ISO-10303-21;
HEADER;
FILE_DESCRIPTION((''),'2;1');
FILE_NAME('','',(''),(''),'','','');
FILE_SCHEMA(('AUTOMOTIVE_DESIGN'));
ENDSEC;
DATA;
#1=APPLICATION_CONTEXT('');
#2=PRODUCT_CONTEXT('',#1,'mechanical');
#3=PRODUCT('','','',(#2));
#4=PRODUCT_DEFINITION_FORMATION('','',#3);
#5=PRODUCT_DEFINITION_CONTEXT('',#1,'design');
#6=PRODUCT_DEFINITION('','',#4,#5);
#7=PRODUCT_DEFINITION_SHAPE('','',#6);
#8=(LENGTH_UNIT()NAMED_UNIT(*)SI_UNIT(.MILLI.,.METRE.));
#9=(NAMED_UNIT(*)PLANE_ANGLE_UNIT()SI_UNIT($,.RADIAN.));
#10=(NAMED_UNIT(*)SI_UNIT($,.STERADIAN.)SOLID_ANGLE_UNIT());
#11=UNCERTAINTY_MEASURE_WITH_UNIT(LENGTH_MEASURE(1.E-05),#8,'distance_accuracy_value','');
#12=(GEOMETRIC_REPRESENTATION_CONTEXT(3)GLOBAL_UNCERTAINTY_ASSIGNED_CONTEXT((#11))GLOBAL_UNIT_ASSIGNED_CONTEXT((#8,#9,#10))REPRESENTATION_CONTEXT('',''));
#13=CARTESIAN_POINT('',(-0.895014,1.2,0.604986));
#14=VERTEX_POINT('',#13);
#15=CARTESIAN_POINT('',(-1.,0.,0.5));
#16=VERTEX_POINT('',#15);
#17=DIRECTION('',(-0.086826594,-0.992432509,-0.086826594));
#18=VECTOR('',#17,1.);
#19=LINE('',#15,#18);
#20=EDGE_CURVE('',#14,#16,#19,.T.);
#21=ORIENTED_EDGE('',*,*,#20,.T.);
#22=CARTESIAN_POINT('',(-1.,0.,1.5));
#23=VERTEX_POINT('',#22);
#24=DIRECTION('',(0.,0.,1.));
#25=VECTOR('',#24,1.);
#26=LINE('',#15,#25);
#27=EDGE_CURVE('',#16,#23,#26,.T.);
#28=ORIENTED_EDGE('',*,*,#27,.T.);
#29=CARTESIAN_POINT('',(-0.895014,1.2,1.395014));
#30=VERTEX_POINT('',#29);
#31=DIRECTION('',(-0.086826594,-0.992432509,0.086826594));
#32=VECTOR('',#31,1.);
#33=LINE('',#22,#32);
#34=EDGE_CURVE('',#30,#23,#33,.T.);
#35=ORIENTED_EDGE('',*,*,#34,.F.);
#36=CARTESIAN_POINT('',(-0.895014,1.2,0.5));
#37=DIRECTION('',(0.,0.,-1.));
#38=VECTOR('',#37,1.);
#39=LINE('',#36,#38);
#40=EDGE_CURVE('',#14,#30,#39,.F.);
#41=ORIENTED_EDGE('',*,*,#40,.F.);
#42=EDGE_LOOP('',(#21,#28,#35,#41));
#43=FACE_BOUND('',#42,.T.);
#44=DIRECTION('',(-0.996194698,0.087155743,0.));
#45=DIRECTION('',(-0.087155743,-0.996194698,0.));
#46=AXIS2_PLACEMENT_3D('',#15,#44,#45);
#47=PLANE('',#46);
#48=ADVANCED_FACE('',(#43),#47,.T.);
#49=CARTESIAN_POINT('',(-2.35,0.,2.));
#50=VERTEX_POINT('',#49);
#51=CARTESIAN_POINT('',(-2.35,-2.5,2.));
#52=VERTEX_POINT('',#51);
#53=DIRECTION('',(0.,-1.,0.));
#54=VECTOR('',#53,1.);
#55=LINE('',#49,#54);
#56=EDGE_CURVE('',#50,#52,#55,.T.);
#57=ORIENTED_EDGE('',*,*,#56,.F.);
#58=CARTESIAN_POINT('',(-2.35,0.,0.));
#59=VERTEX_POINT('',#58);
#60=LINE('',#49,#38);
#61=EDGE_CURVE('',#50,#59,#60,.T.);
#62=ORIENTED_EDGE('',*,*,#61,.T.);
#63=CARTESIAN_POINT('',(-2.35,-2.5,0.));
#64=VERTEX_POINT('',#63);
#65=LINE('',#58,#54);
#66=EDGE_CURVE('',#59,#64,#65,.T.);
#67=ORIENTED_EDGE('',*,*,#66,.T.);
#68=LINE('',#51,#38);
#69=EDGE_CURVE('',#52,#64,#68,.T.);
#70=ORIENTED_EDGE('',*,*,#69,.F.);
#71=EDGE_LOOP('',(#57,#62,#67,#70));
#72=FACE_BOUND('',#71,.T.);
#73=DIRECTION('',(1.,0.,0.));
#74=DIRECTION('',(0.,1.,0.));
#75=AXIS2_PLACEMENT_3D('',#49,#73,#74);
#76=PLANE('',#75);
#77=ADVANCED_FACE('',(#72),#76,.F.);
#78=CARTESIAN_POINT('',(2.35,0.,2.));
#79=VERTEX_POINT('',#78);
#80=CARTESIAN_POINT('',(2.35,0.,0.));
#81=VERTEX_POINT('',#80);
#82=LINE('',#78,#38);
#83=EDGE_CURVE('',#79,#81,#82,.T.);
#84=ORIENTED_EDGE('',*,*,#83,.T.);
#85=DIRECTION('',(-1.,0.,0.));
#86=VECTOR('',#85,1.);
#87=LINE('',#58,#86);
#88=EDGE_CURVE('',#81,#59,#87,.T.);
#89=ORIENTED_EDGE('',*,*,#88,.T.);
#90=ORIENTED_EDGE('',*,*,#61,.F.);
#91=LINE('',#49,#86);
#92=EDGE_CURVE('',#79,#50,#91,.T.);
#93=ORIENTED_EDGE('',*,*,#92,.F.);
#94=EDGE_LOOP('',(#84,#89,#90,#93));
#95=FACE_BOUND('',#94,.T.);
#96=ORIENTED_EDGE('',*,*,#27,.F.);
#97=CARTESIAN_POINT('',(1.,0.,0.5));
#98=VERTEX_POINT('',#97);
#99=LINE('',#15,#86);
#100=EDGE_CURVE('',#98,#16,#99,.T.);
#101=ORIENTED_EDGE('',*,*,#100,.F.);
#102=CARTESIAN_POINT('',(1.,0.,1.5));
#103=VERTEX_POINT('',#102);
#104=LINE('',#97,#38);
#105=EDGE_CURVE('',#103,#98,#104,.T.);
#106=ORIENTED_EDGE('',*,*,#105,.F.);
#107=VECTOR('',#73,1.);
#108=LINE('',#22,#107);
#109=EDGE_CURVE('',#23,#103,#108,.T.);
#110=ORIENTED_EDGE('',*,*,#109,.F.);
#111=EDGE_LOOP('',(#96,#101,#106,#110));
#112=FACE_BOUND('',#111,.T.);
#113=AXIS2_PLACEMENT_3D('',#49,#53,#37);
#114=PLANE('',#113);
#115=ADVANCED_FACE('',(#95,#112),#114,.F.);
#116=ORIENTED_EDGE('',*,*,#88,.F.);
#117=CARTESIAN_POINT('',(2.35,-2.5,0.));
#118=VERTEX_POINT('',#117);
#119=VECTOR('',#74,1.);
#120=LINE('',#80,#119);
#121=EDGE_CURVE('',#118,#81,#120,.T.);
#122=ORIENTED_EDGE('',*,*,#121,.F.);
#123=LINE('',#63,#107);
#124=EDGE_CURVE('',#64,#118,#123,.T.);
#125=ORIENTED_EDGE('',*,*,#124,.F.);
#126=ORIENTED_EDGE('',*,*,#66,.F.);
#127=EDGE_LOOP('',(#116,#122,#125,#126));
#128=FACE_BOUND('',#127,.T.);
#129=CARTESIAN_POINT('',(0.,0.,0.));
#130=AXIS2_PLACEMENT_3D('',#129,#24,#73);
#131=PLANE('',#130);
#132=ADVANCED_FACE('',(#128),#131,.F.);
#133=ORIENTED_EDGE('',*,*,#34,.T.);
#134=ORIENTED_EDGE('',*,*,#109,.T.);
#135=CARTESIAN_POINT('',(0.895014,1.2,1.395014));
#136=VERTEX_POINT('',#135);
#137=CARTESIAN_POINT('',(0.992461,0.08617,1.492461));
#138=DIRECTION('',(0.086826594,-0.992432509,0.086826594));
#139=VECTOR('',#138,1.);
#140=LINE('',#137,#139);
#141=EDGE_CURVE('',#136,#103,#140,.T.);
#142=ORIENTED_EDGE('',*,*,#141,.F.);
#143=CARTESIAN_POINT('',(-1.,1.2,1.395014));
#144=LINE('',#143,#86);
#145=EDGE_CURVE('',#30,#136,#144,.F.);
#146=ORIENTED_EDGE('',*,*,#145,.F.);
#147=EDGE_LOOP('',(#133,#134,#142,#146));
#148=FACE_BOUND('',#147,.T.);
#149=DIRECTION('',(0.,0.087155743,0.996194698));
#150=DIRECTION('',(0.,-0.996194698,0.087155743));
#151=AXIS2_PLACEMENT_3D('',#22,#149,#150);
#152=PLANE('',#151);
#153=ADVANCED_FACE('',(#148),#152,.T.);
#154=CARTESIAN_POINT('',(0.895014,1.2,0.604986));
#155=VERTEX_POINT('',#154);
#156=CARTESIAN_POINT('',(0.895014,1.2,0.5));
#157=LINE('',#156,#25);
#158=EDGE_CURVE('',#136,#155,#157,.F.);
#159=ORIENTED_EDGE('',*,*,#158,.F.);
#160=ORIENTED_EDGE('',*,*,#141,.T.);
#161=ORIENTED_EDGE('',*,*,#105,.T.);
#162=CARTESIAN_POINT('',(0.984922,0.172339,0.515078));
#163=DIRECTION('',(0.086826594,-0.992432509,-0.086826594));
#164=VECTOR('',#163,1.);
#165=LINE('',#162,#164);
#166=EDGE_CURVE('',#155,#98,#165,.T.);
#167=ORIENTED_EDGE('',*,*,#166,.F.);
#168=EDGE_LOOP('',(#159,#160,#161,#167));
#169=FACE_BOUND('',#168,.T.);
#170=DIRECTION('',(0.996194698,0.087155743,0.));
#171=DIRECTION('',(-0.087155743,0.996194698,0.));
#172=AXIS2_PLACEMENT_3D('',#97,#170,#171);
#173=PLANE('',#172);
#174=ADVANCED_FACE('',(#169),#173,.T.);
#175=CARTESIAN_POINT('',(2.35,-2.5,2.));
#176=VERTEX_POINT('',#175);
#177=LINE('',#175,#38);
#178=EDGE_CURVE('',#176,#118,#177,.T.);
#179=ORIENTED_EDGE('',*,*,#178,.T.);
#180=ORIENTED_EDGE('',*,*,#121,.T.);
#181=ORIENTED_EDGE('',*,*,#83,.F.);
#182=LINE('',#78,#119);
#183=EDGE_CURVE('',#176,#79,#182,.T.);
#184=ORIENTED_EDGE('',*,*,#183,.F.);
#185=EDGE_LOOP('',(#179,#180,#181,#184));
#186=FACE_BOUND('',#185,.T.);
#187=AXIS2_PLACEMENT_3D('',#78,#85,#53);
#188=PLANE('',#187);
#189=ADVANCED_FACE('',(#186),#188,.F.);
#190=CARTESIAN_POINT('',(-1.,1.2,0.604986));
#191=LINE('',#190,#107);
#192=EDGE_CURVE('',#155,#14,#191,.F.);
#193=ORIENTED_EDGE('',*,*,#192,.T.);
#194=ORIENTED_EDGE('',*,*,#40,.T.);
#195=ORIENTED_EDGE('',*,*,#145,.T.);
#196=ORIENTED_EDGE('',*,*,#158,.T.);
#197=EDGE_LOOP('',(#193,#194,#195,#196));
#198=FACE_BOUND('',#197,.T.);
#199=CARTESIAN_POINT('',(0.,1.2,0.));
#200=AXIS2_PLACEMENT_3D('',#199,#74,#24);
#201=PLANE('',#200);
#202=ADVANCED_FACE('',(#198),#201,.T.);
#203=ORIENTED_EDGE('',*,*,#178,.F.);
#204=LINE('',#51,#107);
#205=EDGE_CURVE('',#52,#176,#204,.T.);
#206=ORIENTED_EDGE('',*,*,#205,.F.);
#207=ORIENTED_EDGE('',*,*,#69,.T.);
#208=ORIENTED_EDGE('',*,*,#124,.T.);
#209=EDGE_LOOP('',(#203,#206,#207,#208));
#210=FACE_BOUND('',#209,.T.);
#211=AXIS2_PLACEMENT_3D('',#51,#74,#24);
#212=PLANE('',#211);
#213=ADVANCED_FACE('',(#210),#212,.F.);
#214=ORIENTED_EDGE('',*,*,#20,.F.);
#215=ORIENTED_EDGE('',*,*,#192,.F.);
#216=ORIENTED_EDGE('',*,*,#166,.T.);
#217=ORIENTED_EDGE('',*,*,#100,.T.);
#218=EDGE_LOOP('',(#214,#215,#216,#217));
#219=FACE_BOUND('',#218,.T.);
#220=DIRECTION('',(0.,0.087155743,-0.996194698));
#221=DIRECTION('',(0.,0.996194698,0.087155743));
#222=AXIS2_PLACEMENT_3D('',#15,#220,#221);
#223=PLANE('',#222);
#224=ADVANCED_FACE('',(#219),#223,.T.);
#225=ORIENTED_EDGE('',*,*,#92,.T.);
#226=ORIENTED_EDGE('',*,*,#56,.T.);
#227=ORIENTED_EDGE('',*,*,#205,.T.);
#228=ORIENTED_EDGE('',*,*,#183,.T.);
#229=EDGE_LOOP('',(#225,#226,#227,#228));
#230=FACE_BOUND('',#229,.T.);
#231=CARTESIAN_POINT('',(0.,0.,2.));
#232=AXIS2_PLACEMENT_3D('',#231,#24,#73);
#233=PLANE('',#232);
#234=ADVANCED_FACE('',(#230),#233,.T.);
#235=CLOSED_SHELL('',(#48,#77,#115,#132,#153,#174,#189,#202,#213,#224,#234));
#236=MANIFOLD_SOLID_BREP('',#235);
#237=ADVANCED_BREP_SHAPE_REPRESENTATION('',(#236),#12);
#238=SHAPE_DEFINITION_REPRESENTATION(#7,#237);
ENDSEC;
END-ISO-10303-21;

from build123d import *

# Parameters (mm, degrees)
SKETCH1_W           = 4.7
SKETCH1_H           = 2.5
BOSS_EXTRUDE1_DEPTH = 2
SKETCH2_W           = 2
SKETCH2_H           = 1
BOSS_EXTRUDE2_DEPTH = 1.2
BOSS_EXTRUDE2_TAPER = 5


with BuildPart() as part:
    # Sketch1 → Boss-Extrude1 (new body)
    with BuildSketch(Plane.XY):
        with Locations((0, -1.25)):
            Rectangle(SKETCH1_W, SKETCH1_H)
    extrude(amount=BOSS_EXTRUDE1_DEPTH)

    # Sketch2 → Boss-Extrude2 (add)
    with BuildSketch(Plane(origin=(0, 0, 0), x_dir=(1, 0, 0), z_dir=(0, 1, 0))):
        with Locations((0, -1)):
            Rectangle(SKETCH2_W, SKETCH2_H)
    extrude(amount=BOSS_EXTRUDE2_DEPTH, taper=BOSS_EXTRUDE2_TAPER)


solid = part.part
